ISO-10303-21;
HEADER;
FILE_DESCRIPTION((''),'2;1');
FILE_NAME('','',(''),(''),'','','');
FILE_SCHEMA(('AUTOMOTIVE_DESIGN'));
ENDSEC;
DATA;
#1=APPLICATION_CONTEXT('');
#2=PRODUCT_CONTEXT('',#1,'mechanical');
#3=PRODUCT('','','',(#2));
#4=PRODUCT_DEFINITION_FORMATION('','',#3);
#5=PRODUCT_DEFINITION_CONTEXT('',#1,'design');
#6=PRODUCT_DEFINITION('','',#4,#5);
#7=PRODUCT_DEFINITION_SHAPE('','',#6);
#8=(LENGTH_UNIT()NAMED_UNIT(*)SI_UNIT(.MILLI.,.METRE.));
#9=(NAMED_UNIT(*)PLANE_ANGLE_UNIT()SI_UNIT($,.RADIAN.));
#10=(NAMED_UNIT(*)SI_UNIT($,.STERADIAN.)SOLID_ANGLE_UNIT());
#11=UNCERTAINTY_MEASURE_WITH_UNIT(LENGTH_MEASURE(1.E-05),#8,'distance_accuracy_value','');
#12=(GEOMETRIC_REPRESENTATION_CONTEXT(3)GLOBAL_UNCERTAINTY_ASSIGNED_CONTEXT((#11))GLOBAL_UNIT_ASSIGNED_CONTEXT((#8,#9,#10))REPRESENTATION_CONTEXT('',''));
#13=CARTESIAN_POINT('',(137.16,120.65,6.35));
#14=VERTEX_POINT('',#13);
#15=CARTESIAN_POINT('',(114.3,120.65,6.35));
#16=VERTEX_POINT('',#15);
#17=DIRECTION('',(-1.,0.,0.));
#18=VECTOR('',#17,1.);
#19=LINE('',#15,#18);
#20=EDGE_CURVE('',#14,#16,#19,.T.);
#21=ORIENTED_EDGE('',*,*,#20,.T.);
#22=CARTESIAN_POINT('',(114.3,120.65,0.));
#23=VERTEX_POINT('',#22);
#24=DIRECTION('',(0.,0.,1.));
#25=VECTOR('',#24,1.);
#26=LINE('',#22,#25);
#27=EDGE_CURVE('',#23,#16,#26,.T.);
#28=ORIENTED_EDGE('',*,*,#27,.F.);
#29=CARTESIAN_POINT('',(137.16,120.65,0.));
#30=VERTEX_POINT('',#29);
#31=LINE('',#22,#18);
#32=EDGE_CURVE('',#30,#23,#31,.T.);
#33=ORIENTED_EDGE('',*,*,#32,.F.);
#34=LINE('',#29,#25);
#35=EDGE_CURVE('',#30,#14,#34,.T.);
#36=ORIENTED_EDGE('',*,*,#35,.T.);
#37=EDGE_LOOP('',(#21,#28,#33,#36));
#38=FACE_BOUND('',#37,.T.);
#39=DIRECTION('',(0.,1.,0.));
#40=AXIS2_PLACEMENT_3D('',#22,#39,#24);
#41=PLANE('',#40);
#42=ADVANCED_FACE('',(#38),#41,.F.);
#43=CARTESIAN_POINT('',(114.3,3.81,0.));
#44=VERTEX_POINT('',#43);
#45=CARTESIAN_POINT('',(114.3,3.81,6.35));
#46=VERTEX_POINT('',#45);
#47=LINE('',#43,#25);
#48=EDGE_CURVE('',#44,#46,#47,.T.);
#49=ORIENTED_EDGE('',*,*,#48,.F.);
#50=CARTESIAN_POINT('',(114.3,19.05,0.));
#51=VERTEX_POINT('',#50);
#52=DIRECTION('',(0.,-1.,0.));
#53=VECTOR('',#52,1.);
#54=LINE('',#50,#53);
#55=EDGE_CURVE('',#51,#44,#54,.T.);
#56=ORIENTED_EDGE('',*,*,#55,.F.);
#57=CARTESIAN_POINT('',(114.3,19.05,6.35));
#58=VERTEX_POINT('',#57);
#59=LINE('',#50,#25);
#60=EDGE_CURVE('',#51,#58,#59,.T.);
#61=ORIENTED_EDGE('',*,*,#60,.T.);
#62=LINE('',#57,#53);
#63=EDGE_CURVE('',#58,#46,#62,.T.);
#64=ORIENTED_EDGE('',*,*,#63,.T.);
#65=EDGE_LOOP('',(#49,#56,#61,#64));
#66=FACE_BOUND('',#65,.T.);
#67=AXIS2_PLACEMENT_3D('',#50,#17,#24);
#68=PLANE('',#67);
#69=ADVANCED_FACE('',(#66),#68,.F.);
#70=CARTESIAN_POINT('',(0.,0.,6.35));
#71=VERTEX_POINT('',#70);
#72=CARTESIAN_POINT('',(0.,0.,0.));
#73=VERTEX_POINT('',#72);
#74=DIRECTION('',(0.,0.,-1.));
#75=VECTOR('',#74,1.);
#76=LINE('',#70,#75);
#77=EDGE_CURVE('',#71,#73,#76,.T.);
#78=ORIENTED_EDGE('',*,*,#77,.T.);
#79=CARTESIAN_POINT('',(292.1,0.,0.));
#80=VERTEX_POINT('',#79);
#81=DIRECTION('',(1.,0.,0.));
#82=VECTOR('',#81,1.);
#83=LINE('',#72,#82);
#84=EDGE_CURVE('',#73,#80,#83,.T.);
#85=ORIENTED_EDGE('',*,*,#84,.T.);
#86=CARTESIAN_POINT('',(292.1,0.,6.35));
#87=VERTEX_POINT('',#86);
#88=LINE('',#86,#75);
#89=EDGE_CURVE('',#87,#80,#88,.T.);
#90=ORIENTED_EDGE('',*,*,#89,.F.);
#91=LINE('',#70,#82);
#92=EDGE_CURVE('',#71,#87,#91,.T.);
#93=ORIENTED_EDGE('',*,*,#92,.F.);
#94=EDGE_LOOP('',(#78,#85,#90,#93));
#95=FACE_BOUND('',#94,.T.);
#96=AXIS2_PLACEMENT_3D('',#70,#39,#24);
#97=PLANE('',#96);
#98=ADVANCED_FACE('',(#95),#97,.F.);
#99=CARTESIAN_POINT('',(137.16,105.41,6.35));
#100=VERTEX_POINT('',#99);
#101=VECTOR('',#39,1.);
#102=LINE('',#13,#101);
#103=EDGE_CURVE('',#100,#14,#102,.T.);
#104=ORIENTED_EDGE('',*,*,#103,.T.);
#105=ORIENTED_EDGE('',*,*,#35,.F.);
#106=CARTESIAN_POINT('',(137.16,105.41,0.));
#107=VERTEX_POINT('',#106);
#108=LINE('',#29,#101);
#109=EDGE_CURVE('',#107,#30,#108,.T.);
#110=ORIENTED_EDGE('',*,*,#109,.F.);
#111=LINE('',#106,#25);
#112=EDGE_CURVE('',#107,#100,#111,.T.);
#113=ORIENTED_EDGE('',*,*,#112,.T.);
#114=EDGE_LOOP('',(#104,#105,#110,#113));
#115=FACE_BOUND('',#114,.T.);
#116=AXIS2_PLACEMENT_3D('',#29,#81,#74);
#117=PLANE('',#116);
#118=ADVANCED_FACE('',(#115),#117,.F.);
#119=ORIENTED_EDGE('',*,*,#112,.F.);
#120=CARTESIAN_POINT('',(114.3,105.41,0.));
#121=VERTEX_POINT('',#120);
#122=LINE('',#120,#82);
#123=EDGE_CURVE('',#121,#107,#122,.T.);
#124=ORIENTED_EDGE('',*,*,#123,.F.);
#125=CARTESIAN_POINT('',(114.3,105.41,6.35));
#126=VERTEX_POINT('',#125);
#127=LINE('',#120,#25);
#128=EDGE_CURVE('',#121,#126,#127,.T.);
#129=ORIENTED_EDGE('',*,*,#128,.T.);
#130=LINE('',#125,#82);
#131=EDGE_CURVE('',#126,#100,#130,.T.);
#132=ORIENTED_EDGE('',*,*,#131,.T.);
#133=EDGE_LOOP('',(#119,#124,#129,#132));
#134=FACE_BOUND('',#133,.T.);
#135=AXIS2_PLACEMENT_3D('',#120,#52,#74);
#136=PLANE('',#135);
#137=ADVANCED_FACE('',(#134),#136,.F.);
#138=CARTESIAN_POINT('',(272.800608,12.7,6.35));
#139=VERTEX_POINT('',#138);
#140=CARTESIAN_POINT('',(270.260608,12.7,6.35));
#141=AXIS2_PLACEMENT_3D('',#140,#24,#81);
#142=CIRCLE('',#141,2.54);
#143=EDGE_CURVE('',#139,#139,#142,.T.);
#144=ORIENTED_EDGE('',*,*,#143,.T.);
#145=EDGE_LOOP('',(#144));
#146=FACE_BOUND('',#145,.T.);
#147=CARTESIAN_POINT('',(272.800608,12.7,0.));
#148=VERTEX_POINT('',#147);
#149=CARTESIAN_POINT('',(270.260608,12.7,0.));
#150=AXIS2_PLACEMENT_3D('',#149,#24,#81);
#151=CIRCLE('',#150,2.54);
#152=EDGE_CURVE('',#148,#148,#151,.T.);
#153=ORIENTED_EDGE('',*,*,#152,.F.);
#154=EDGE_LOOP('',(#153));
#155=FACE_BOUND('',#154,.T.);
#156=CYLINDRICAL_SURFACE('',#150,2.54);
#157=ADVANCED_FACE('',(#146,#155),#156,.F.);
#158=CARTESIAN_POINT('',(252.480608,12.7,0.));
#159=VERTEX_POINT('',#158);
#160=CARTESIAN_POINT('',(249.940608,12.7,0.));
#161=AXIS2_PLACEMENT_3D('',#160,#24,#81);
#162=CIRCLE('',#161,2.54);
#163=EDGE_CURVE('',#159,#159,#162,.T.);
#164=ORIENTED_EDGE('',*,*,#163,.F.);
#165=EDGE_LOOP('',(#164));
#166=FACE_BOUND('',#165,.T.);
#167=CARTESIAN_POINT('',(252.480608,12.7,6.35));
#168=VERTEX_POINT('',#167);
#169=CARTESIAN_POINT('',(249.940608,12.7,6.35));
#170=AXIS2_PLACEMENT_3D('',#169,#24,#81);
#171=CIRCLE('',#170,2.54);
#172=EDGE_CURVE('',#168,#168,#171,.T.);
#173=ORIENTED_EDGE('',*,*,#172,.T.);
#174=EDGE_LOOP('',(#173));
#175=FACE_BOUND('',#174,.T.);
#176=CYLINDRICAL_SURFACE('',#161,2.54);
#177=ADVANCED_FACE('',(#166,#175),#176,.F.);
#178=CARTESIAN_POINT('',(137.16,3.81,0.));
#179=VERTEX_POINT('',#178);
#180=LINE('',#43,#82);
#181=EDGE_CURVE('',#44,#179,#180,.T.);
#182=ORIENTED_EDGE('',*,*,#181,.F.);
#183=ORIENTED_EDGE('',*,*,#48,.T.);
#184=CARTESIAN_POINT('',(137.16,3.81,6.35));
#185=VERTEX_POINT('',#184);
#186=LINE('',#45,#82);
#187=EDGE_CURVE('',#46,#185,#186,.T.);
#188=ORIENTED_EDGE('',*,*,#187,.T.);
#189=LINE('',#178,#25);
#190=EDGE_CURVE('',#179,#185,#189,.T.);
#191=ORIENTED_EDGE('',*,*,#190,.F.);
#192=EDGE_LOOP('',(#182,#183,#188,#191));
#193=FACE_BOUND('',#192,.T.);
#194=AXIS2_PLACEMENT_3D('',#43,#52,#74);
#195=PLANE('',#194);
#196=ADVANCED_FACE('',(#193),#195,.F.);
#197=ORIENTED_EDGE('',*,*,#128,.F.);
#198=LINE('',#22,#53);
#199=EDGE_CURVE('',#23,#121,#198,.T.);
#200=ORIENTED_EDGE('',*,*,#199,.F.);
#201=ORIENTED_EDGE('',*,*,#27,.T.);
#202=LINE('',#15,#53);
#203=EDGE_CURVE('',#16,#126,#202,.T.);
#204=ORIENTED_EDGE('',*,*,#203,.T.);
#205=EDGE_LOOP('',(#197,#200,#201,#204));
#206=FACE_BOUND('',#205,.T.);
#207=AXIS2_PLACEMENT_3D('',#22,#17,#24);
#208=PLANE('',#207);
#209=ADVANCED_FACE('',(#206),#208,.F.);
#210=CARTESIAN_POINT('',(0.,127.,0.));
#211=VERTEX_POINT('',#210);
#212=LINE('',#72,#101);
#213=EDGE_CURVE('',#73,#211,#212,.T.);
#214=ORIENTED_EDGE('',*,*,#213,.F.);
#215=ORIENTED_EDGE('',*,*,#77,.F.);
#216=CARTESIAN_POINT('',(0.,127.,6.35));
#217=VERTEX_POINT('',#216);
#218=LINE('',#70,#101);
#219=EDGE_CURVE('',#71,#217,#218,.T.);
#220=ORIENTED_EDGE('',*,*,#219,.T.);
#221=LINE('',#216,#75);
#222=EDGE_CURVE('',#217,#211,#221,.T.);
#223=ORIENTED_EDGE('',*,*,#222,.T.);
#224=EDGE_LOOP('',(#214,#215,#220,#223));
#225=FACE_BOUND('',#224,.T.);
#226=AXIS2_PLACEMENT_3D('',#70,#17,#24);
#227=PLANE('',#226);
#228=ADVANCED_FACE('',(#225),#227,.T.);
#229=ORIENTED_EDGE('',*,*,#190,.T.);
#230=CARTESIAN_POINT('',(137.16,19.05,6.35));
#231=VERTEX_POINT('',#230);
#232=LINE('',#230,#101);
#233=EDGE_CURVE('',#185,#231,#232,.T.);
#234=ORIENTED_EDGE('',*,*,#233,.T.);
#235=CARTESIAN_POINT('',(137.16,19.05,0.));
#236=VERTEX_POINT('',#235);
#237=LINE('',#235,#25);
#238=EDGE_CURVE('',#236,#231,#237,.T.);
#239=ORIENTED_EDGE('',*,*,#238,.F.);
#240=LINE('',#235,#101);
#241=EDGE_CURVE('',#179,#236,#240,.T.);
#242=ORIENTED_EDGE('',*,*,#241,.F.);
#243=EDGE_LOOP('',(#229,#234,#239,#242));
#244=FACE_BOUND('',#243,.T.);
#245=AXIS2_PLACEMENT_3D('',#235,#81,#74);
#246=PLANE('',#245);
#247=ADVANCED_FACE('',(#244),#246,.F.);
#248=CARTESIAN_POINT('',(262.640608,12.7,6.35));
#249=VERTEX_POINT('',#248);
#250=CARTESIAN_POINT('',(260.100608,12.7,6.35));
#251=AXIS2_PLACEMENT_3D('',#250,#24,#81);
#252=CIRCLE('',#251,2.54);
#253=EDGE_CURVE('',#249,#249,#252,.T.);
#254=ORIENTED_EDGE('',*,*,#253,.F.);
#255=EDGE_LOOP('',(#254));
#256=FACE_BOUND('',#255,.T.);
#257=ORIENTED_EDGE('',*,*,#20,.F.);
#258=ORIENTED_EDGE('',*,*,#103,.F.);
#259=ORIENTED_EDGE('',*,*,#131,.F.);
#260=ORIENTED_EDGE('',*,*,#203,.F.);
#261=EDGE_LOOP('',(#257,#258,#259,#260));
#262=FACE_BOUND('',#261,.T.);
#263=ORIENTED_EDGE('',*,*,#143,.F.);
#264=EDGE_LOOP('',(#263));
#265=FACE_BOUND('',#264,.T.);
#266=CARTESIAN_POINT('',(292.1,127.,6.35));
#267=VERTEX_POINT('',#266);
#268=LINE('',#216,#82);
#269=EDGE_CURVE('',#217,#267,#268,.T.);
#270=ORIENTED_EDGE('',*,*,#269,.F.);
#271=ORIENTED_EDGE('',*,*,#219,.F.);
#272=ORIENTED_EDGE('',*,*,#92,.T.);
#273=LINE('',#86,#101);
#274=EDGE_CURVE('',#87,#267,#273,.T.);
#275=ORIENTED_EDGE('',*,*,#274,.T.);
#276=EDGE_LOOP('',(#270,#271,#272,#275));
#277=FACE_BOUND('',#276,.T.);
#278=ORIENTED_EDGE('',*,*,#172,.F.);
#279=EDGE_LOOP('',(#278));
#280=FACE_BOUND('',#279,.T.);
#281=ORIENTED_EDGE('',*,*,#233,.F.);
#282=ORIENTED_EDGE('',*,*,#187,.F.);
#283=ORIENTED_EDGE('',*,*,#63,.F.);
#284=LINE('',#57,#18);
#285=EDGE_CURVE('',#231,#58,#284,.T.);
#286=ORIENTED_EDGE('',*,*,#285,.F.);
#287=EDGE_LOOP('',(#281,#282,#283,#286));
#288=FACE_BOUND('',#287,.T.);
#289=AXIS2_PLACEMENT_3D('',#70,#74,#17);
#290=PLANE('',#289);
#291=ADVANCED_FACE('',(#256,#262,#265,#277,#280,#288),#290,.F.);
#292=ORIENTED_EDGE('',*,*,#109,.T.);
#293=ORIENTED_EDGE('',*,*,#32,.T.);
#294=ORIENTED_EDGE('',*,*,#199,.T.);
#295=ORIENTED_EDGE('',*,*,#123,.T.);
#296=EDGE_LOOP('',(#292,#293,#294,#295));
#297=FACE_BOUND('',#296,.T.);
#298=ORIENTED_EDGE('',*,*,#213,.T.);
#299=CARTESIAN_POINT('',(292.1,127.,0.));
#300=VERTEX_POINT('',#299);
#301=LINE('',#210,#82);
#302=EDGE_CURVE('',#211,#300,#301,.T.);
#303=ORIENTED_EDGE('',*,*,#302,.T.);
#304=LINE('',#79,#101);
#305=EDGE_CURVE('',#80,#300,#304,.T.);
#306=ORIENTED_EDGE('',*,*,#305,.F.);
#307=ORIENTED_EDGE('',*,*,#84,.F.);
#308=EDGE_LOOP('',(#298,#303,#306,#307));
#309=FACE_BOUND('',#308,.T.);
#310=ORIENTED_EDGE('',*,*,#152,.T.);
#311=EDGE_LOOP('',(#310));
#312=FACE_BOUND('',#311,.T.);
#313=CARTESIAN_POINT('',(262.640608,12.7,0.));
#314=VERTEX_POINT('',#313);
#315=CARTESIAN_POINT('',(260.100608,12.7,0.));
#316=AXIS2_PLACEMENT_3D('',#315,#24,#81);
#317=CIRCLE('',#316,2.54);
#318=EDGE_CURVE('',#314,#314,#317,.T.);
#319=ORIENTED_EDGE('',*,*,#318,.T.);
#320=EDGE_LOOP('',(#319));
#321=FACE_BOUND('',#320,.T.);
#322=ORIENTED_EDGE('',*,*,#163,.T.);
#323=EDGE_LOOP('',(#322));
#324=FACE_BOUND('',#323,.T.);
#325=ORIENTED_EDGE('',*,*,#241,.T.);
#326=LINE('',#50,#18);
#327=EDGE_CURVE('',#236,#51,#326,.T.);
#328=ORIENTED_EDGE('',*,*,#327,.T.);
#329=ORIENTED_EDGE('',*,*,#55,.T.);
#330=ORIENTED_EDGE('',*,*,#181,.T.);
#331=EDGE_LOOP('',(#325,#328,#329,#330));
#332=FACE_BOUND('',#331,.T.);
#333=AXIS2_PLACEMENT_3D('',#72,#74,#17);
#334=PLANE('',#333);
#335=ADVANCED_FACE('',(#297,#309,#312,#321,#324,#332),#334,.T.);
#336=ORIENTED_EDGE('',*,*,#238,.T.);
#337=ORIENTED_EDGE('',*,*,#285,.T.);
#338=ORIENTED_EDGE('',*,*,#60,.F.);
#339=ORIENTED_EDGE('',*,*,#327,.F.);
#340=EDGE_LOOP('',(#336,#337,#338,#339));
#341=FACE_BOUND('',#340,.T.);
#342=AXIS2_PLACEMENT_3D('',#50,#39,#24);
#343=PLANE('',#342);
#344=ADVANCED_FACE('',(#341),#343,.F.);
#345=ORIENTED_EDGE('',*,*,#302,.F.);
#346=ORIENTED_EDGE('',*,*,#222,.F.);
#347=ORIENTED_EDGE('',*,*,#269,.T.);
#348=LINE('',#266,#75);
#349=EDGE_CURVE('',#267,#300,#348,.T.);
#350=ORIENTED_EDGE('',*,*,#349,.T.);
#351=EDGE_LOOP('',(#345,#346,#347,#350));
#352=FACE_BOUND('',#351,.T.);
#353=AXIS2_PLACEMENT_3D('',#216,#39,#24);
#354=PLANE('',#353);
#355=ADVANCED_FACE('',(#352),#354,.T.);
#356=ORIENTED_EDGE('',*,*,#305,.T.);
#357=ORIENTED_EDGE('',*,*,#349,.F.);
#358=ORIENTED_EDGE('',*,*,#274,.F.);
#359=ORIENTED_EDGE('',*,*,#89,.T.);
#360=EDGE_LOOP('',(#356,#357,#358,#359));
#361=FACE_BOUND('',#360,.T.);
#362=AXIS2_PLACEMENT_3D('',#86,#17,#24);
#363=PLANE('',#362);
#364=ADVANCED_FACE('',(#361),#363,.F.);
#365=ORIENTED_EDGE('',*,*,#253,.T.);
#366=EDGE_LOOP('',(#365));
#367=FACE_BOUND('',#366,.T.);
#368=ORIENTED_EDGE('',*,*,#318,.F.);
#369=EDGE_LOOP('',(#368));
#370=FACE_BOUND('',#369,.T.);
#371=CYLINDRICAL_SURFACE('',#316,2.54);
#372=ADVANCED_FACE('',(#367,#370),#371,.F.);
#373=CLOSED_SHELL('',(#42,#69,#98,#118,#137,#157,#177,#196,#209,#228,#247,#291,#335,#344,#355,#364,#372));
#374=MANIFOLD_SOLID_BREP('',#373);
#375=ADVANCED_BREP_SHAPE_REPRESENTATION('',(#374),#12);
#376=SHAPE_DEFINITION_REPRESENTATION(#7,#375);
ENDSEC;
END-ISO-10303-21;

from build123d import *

# Parameters (mm, degrees)
SKETCH1_W           = 292.1
SKETCH1_H           = 127
BOSS_EXTRUDE1_DEPTH = 6.35
SKETCH2_W           = 22.86
SKETCH2_H           = 15.24
CUT_EXTRUDE1_DEPTH  = 6.35
LPATTERN1_COUNT     = 2
LPATTERN1_PITCH     = 101.6
SKETCH3_R           = 2.54
CUT_EXTRUDE2_DEPTH  = 7.35


with BuildPart() as part:
    # Sketch1 → Boss-Extrude1 (new body)
    with BuildSketch(Plane.XY):
        with Locations((146.05, 63.5)):
            Rectangle(SKETCH1_W, SKETCH1_H)
    extrude(amount=BOSS_EXTRUDE1_DEPTH)

    # Sketch2 → Cut-Extrude1 (cut)
    with BuildSketch(Plane.XY.offset(6.35)):
        with Locations((125.73, 11.43)):
            Rectangle(SKETCH2_W, SKETCH2_H)
    cut_extrude1 = extrude(amount=-CUT_EXTRUDE1_DEPTH, mode=Mode.SUBTRACT)

    # LPattern1: Cut-Extrude1 ×2
    with Locations(*[(0, i * LPATTERN1_PITCH, 0) for i in range(1, LPATTERN1_COUNT)]):
        add(cut_extrude1, mode=Mode.SUBTRACT)

    # Sketch3 → Cut-Extrude2 (cut, through all)
    with BuildSketch(Plane.XY.offset(6.35)):
        with Locations((249.94060771, 12.7)):
            Circle(SKETCH3_R)
        with Locations((260.10060771, 12.7)):
            Circle(SKETCH3_R)
        with Locations((270.26060771, 12.7)):
            Circle(SKETCH3_R)
    extrude(amount=-CUT_EXTRUDE2_DEPTH, mode=Mode.SUBTRACT)


solid = part.part
